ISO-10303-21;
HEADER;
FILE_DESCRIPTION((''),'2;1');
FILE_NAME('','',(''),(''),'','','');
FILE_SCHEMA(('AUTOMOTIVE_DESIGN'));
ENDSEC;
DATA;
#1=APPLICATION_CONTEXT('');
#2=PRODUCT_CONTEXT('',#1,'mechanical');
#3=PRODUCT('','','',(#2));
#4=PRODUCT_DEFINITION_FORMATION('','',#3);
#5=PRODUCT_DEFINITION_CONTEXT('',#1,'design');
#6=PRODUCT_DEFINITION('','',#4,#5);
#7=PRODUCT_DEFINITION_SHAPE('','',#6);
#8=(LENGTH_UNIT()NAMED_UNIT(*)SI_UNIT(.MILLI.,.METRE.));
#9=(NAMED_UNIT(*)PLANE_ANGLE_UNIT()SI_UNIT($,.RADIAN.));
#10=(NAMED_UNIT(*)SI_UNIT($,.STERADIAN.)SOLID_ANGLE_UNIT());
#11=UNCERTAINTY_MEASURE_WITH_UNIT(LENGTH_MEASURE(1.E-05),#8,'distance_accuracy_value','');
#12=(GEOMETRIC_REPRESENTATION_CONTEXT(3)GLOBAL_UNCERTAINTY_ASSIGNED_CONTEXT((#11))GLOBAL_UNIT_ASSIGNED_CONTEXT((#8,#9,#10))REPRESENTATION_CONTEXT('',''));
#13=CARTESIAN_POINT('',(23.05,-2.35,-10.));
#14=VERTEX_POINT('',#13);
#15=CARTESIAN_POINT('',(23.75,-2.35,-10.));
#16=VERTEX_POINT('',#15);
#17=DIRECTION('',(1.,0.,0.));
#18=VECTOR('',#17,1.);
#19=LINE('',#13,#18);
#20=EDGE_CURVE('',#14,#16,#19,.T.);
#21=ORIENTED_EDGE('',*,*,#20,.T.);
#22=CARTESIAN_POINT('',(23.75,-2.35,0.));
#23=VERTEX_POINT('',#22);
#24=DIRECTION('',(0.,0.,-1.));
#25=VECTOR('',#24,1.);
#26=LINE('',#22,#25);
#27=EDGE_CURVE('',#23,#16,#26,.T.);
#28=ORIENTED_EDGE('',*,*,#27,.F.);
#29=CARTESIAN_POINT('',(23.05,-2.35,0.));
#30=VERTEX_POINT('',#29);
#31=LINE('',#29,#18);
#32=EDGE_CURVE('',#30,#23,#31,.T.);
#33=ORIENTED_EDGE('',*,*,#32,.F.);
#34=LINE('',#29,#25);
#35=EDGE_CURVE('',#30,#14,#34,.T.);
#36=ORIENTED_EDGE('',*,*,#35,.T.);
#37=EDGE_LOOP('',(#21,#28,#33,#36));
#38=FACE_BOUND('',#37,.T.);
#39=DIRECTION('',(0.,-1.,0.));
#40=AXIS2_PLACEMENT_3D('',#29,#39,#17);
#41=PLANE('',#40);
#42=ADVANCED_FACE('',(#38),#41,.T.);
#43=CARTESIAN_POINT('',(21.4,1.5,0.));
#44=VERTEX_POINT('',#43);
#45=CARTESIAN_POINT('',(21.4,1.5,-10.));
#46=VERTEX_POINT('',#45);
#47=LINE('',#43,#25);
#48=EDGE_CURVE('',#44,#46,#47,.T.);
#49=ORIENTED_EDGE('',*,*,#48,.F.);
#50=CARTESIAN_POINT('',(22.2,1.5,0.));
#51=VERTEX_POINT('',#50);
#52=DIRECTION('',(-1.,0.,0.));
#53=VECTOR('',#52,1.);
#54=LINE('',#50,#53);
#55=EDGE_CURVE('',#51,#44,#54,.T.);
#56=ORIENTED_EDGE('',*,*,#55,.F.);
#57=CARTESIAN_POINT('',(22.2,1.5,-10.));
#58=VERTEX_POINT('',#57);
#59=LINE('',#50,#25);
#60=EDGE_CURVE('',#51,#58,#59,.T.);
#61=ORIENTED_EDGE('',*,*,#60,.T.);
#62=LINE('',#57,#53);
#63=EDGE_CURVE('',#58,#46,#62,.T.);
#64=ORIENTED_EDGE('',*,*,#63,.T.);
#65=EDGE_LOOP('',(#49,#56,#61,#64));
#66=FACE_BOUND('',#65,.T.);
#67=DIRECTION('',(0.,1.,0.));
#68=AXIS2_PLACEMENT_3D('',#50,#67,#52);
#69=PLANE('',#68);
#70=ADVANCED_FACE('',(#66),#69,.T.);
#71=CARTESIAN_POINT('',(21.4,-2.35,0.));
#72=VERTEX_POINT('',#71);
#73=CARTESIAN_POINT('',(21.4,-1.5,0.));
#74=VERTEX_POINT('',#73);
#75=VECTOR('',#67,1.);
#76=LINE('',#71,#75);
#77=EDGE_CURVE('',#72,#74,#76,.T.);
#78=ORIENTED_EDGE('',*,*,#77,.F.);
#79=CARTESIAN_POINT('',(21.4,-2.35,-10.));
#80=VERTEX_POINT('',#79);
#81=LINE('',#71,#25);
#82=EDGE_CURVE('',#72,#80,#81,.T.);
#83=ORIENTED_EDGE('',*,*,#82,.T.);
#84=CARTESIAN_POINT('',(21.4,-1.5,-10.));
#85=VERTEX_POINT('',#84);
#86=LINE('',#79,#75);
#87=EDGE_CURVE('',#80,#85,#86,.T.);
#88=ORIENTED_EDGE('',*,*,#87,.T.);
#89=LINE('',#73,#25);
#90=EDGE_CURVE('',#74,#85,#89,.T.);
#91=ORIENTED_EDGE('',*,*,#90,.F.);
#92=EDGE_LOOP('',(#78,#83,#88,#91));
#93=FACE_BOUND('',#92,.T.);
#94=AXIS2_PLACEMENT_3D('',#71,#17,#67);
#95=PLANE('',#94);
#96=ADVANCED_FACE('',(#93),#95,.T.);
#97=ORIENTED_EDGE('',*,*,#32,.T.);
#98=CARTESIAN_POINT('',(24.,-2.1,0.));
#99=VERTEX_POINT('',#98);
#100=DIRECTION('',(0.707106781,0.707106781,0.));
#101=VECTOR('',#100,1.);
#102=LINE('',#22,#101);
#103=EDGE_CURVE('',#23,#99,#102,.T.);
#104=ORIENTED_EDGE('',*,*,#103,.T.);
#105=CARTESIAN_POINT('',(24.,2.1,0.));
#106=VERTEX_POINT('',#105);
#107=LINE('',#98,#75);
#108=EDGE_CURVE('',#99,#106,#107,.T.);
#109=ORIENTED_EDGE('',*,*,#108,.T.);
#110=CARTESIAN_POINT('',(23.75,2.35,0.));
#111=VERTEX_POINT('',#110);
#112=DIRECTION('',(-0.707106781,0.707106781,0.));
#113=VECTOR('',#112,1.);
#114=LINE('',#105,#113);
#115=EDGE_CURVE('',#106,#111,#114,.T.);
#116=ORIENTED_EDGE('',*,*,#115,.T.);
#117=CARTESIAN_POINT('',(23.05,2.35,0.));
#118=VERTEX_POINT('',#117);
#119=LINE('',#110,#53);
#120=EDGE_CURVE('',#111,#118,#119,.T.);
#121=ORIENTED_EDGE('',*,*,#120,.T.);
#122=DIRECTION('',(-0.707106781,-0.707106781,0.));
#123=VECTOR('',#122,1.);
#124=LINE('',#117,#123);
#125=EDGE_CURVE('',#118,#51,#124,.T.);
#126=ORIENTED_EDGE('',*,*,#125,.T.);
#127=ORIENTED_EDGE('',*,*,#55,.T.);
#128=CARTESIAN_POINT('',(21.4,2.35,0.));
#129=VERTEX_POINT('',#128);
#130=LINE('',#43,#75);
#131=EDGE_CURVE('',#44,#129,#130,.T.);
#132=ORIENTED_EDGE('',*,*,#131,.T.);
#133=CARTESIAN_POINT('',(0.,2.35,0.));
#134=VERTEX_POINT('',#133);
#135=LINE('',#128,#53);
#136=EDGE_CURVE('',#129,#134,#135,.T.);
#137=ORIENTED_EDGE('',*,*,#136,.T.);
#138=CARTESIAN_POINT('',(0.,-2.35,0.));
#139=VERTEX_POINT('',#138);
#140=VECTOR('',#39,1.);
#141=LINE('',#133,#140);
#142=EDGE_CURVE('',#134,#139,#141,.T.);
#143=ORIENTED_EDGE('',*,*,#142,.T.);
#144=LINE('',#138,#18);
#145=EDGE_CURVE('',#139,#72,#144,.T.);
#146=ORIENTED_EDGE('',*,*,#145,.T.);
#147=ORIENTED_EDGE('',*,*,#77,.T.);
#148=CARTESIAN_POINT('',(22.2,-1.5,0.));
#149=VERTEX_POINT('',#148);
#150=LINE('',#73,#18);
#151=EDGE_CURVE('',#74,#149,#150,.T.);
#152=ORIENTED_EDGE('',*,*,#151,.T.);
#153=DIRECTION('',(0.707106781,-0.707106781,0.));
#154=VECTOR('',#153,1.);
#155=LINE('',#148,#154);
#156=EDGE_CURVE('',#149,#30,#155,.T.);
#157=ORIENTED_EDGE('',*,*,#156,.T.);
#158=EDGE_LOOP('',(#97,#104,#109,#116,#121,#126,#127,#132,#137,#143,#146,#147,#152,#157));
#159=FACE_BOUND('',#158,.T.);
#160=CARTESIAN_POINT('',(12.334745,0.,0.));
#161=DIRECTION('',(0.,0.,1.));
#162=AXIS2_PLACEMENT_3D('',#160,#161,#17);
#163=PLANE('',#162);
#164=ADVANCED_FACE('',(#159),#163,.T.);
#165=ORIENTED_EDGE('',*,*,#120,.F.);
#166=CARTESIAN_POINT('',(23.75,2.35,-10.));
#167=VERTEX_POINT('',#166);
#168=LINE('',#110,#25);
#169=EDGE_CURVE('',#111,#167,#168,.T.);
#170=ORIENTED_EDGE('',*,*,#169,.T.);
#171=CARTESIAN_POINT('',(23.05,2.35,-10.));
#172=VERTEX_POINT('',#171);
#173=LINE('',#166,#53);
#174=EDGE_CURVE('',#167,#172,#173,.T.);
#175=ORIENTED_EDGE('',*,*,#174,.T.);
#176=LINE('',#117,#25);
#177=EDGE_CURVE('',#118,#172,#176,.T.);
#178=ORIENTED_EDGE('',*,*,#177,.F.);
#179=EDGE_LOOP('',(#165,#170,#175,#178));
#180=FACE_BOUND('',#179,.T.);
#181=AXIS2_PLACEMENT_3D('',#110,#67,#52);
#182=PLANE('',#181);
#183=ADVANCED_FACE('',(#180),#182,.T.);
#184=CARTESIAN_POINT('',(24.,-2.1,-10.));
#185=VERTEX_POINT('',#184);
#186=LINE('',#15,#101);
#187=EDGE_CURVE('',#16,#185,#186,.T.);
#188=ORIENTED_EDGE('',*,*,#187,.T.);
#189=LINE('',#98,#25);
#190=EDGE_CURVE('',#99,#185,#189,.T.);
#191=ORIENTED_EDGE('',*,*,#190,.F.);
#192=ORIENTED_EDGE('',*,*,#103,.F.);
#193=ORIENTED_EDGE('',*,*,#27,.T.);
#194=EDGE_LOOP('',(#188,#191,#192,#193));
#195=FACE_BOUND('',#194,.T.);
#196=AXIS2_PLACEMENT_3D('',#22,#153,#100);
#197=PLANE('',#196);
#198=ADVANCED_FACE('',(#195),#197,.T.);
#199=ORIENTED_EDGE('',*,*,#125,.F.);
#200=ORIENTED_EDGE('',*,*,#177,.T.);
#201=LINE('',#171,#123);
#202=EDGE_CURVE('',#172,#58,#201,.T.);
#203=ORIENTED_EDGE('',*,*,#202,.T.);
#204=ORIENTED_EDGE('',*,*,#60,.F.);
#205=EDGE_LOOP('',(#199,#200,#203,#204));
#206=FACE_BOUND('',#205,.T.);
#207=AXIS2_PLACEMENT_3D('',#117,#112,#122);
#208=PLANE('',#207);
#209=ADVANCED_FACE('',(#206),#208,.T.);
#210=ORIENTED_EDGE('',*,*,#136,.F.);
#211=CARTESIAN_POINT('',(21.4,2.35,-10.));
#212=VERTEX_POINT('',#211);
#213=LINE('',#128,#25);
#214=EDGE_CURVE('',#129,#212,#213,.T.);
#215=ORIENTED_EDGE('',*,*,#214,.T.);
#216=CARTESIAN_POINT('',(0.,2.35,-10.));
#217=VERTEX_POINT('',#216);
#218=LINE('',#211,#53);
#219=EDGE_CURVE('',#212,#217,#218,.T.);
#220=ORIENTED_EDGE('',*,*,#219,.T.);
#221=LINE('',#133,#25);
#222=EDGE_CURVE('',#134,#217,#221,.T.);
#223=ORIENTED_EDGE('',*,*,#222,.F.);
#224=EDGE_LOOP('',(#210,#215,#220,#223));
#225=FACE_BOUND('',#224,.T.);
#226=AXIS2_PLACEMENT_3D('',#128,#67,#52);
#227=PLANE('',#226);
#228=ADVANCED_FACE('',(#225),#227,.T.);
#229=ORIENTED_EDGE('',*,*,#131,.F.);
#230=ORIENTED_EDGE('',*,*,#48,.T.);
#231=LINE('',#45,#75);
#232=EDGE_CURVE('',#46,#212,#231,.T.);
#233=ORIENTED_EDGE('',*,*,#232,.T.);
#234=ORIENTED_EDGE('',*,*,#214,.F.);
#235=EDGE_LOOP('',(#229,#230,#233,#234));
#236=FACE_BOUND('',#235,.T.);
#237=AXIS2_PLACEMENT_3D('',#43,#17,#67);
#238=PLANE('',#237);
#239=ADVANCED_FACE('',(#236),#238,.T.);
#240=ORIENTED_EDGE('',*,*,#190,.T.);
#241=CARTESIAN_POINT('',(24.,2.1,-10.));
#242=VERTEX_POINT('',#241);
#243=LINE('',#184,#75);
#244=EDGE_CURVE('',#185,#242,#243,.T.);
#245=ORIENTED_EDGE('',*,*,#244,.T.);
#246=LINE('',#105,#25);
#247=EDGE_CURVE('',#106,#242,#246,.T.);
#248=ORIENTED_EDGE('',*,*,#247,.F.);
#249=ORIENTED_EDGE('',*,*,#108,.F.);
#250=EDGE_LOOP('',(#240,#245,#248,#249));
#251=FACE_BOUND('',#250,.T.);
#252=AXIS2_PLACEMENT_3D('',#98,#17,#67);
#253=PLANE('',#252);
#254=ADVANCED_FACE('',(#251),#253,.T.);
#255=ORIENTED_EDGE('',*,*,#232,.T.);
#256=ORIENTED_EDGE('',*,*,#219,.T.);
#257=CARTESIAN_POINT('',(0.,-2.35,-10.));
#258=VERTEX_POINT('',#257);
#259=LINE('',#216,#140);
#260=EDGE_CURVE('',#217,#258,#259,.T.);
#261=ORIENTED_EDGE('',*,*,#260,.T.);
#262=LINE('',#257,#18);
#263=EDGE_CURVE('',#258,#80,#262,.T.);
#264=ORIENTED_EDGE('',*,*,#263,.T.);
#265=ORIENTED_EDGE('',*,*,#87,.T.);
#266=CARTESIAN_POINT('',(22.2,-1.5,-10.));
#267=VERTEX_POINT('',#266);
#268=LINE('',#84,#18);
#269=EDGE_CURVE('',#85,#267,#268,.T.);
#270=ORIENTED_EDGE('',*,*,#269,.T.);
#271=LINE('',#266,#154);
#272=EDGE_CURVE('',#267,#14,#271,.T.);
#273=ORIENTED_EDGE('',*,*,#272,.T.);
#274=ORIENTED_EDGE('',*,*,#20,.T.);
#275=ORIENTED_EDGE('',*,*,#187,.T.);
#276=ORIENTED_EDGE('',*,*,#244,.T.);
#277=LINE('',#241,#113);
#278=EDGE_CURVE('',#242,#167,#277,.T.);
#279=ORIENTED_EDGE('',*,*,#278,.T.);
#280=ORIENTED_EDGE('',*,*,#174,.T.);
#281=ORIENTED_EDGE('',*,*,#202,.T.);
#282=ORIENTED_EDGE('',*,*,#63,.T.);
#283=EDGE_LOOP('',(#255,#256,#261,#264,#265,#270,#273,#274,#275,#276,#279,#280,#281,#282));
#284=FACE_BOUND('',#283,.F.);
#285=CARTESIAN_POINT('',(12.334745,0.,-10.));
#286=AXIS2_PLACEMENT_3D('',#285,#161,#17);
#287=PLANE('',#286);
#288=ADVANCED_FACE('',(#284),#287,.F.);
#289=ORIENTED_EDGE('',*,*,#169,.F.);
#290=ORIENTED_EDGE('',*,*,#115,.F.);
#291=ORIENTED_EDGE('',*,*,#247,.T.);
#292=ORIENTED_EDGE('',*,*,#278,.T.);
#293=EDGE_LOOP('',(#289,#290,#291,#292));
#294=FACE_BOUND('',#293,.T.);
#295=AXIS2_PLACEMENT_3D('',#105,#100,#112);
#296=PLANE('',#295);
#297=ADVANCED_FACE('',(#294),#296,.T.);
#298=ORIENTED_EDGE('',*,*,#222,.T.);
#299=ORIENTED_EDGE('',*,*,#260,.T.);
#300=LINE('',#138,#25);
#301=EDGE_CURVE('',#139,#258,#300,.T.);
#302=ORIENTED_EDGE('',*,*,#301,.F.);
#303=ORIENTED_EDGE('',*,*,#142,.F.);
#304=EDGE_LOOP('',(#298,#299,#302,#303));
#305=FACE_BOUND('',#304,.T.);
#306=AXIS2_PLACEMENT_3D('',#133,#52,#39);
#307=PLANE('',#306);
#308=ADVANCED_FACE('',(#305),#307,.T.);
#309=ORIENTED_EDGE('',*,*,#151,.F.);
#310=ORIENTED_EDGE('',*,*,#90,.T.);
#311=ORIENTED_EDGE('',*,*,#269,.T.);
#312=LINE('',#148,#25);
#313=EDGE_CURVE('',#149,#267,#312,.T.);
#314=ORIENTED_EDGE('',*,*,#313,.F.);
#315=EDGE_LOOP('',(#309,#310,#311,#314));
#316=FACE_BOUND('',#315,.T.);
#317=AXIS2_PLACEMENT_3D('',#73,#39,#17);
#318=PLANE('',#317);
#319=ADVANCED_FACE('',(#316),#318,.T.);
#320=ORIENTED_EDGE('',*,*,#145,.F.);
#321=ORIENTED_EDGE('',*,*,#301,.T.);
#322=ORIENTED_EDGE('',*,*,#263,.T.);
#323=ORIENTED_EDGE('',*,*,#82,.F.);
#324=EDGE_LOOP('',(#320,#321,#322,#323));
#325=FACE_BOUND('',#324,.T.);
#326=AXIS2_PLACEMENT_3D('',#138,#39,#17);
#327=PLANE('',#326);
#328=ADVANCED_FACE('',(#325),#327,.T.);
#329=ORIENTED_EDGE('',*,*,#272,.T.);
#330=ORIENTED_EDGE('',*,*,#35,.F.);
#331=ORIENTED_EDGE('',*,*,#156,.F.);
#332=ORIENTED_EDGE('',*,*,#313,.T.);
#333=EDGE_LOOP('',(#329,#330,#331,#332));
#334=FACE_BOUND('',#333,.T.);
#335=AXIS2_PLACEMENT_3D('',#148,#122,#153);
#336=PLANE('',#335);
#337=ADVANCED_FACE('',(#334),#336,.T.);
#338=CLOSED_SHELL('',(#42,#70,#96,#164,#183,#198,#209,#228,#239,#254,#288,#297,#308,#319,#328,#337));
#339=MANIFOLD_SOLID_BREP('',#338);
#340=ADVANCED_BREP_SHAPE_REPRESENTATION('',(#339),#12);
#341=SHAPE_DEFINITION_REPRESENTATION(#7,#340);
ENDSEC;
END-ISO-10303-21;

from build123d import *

# Parameters (mm, degrees)
F1_DEPTH = 10


with BuildPart() as f1:
    # F0 (on Top) → F1 (new body)
    with BuildSketch(Plane.XY):
        Polygon((22.2, 1.5), (21.4, 1.5), (21.4, 2.35), (0, 2.35), (0, 0), (0, -2.35), (21.4, -2.35), (21.4, -1.5), (22.2, -1.5), (23.05, -2.35), (23.75, -2.35), (24, -2.1), (24, 0), (24, 2.1), (23.75, 2.35), (23.05, 2.35), align=None)
    extrude(amount=-F1_DEPTH)


solid = f1.part
